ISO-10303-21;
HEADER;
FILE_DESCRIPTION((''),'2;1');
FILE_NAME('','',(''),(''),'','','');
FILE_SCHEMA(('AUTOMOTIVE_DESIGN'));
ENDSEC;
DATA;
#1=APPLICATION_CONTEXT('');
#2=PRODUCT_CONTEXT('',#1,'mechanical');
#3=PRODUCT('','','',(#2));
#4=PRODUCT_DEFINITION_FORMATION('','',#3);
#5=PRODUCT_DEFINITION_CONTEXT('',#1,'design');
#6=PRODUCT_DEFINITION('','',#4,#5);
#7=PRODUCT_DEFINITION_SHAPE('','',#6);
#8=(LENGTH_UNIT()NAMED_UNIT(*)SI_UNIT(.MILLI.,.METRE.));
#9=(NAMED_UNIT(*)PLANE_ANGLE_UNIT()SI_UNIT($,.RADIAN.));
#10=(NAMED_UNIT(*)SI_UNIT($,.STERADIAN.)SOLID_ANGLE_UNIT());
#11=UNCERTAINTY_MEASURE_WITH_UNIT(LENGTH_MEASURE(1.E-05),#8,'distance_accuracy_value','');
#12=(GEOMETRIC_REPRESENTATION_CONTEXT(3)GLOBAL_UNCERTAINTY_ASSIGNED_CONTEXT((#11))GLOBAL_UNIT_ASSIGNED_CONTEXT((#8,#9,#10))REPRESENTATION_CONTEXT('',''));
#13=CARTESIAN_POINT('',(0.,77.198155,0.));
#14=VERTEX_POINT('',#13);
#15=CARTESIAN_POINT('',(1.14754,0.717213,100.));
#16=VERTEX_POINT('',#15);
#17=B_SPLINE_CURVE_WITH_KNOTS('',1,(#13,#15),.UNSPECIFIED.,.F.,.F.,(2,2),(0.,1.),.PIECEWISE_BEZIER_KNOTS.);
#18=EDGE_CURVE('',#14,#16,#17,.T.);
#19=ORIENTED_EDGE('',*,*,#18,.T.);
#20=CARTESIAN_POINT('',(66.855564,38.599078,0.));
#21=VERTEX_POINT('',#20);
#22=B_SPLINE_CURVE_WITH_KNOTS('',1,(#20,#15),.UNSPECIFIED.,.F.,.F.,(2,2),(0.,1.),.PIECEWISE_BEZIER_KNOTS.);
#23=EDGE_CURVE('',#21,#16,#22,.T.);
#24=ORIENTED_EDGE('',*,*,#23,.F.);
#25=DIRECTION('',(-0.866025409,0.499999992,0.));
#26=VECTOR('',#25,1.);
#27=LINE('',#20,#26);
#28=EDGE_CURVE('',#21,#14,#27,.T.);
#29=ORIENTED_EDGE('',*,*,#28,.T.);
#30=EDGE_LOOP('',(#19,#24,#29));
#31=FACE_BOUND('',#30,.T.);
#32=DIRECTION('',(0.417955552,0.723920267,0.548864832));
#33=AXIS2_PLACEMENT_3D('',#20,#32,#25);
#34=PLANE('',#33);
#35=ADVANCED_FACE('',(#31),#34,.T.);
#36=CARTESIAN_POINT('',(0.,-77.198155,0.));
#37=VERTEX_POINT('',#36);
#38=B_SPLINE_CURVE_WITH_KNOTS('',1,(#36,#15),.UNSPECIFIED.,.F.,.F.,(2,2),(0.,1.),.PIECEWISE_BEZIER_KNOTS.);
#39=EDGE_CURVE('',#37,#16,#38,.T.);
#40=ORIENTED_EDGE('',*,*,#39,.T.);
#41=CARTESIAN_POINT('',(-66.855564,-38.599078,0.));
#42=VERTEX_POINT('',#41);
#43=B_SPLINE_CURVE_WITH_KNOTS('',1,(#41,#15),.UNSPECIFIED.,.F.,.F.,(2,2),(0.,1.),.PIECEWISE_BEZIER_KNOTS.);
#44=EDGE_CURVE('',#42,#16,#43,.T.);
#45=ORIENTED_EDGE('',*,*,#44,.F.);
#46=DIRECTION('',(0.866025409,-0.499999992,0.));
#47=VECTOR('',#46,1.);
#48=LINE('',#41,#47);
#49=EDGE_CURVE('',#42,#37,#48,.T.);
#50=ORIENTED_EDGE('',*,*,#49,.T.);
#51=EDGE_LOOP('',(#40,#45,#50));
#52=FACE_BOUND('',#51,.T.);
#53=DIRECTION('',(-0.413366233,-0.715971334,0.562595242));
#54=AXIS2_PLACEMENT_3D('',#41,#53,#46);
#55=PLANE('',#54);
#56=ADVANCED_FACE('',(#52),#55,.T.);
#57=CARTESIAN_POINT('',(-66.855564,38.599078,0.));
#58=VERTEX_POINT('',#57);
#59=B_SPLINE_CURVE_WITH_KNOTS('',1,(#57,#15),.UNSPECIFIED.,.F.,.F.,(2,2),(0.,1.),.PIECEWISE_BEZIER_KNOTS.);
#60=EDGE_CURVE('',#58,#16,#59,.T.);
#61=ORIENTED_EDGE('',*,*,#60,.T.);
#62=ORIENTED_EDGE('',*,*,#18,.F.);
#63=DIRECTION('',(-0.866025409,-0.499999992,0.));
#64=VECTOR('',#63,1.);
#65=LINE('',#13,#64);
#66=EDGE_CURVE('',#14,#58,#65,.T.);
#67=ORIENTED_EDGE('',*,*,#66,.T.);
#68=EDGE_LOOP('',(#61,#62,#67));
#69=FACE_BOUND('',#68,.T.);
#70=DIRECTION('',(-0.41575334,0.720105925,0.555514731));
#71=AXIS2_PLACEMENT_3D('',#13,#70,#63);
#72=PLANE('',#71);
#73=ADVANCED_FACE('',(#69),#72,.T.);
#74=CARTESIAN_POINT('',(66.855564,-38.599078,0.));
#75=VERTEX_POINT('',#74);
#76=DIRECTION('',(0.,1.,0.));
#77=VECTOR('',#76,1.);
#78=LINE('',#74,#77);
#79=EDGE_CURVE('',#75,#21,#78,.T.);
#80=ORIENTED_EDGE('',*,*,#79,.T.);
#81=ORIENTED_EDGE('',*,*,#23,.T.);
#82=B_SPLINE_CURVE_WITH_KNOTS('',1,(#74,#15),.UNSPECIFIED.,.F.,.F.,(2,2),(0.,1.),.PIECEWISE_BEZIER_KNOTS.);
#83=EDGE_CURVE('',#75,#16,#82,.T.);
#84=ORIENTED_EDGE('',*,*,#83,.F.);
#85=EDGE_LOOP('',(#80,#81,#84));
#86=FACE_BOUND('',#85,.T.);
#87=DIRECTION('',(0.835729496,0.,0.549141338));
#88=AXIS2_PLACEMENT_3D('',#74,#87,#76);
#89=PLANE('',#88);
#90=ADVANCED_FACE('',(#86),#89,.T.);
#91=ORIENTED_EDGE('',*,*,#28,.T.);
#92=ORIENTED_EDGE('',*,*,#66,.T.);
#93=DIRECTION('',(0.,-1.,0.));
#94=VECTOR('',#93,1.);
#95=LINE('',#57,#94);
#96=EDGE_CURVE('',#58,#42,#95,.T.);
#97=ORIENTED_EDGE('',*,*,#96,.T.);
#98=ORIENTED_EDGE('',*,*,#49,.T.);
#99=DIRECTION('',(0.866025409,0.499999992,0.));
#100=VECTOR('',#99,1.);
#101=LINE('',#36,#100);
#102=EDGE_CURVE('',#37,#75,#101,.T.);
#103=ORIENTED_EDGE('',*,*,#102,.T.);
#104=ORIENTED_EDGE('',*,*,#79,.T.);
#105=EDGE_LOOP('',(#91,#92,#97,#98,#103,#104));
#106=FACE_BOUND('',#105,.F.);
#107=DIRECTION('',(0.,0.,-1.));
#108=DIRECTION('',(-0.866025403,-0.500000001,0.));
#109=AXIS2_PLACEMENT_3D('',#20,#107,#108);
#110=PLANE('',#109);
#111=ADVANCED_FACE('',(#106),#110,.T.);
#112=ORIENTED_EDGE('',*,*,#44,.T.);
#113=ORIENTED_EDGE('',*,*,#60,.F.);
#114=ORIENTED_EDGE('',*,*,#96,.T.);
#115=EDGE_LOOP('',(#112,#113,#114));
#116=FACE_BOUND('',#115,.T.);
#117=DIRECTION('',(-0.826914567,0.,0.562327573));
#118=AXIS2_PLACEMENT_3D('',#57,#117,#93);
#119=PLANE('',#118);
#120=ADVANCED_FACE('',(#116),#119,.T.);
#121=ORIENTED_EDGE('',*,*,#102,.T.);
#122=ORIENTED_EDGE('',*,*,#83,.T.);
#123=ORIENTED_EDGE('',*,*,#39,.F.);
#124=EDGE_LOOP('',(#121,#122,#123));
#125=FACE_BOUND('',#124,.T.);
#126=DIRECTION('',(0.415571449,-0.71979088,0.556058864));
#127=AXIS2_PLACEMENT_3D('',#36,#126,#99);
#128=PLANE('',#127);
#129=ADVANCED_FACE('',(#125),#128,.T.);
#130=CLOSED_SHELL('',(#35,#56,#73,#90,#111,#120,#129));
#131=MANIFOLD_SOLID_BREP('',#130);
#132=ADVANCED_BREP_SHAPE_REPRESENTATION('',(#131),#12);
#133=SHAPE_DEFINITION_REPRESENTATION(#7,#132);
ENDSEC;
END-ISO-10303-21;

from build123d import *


with BuildPart() as f3:
    # F0 (on Top) → F3 section 0
    with BuildSketch(Plane.XY, mode=Mode.PRIVATE) as f3_s0:
        Polygon((66.855564, 38.599078), (0, 77.198155), (-66.855564, 38.599078), (-66.855564, -38.599078), (0, -77.198155), (66.855564, -38.599078), align=None)
    loft([f3_s0.sketch, Vertex(1.14754, 0.717213, 100)])


solid = f3.part
